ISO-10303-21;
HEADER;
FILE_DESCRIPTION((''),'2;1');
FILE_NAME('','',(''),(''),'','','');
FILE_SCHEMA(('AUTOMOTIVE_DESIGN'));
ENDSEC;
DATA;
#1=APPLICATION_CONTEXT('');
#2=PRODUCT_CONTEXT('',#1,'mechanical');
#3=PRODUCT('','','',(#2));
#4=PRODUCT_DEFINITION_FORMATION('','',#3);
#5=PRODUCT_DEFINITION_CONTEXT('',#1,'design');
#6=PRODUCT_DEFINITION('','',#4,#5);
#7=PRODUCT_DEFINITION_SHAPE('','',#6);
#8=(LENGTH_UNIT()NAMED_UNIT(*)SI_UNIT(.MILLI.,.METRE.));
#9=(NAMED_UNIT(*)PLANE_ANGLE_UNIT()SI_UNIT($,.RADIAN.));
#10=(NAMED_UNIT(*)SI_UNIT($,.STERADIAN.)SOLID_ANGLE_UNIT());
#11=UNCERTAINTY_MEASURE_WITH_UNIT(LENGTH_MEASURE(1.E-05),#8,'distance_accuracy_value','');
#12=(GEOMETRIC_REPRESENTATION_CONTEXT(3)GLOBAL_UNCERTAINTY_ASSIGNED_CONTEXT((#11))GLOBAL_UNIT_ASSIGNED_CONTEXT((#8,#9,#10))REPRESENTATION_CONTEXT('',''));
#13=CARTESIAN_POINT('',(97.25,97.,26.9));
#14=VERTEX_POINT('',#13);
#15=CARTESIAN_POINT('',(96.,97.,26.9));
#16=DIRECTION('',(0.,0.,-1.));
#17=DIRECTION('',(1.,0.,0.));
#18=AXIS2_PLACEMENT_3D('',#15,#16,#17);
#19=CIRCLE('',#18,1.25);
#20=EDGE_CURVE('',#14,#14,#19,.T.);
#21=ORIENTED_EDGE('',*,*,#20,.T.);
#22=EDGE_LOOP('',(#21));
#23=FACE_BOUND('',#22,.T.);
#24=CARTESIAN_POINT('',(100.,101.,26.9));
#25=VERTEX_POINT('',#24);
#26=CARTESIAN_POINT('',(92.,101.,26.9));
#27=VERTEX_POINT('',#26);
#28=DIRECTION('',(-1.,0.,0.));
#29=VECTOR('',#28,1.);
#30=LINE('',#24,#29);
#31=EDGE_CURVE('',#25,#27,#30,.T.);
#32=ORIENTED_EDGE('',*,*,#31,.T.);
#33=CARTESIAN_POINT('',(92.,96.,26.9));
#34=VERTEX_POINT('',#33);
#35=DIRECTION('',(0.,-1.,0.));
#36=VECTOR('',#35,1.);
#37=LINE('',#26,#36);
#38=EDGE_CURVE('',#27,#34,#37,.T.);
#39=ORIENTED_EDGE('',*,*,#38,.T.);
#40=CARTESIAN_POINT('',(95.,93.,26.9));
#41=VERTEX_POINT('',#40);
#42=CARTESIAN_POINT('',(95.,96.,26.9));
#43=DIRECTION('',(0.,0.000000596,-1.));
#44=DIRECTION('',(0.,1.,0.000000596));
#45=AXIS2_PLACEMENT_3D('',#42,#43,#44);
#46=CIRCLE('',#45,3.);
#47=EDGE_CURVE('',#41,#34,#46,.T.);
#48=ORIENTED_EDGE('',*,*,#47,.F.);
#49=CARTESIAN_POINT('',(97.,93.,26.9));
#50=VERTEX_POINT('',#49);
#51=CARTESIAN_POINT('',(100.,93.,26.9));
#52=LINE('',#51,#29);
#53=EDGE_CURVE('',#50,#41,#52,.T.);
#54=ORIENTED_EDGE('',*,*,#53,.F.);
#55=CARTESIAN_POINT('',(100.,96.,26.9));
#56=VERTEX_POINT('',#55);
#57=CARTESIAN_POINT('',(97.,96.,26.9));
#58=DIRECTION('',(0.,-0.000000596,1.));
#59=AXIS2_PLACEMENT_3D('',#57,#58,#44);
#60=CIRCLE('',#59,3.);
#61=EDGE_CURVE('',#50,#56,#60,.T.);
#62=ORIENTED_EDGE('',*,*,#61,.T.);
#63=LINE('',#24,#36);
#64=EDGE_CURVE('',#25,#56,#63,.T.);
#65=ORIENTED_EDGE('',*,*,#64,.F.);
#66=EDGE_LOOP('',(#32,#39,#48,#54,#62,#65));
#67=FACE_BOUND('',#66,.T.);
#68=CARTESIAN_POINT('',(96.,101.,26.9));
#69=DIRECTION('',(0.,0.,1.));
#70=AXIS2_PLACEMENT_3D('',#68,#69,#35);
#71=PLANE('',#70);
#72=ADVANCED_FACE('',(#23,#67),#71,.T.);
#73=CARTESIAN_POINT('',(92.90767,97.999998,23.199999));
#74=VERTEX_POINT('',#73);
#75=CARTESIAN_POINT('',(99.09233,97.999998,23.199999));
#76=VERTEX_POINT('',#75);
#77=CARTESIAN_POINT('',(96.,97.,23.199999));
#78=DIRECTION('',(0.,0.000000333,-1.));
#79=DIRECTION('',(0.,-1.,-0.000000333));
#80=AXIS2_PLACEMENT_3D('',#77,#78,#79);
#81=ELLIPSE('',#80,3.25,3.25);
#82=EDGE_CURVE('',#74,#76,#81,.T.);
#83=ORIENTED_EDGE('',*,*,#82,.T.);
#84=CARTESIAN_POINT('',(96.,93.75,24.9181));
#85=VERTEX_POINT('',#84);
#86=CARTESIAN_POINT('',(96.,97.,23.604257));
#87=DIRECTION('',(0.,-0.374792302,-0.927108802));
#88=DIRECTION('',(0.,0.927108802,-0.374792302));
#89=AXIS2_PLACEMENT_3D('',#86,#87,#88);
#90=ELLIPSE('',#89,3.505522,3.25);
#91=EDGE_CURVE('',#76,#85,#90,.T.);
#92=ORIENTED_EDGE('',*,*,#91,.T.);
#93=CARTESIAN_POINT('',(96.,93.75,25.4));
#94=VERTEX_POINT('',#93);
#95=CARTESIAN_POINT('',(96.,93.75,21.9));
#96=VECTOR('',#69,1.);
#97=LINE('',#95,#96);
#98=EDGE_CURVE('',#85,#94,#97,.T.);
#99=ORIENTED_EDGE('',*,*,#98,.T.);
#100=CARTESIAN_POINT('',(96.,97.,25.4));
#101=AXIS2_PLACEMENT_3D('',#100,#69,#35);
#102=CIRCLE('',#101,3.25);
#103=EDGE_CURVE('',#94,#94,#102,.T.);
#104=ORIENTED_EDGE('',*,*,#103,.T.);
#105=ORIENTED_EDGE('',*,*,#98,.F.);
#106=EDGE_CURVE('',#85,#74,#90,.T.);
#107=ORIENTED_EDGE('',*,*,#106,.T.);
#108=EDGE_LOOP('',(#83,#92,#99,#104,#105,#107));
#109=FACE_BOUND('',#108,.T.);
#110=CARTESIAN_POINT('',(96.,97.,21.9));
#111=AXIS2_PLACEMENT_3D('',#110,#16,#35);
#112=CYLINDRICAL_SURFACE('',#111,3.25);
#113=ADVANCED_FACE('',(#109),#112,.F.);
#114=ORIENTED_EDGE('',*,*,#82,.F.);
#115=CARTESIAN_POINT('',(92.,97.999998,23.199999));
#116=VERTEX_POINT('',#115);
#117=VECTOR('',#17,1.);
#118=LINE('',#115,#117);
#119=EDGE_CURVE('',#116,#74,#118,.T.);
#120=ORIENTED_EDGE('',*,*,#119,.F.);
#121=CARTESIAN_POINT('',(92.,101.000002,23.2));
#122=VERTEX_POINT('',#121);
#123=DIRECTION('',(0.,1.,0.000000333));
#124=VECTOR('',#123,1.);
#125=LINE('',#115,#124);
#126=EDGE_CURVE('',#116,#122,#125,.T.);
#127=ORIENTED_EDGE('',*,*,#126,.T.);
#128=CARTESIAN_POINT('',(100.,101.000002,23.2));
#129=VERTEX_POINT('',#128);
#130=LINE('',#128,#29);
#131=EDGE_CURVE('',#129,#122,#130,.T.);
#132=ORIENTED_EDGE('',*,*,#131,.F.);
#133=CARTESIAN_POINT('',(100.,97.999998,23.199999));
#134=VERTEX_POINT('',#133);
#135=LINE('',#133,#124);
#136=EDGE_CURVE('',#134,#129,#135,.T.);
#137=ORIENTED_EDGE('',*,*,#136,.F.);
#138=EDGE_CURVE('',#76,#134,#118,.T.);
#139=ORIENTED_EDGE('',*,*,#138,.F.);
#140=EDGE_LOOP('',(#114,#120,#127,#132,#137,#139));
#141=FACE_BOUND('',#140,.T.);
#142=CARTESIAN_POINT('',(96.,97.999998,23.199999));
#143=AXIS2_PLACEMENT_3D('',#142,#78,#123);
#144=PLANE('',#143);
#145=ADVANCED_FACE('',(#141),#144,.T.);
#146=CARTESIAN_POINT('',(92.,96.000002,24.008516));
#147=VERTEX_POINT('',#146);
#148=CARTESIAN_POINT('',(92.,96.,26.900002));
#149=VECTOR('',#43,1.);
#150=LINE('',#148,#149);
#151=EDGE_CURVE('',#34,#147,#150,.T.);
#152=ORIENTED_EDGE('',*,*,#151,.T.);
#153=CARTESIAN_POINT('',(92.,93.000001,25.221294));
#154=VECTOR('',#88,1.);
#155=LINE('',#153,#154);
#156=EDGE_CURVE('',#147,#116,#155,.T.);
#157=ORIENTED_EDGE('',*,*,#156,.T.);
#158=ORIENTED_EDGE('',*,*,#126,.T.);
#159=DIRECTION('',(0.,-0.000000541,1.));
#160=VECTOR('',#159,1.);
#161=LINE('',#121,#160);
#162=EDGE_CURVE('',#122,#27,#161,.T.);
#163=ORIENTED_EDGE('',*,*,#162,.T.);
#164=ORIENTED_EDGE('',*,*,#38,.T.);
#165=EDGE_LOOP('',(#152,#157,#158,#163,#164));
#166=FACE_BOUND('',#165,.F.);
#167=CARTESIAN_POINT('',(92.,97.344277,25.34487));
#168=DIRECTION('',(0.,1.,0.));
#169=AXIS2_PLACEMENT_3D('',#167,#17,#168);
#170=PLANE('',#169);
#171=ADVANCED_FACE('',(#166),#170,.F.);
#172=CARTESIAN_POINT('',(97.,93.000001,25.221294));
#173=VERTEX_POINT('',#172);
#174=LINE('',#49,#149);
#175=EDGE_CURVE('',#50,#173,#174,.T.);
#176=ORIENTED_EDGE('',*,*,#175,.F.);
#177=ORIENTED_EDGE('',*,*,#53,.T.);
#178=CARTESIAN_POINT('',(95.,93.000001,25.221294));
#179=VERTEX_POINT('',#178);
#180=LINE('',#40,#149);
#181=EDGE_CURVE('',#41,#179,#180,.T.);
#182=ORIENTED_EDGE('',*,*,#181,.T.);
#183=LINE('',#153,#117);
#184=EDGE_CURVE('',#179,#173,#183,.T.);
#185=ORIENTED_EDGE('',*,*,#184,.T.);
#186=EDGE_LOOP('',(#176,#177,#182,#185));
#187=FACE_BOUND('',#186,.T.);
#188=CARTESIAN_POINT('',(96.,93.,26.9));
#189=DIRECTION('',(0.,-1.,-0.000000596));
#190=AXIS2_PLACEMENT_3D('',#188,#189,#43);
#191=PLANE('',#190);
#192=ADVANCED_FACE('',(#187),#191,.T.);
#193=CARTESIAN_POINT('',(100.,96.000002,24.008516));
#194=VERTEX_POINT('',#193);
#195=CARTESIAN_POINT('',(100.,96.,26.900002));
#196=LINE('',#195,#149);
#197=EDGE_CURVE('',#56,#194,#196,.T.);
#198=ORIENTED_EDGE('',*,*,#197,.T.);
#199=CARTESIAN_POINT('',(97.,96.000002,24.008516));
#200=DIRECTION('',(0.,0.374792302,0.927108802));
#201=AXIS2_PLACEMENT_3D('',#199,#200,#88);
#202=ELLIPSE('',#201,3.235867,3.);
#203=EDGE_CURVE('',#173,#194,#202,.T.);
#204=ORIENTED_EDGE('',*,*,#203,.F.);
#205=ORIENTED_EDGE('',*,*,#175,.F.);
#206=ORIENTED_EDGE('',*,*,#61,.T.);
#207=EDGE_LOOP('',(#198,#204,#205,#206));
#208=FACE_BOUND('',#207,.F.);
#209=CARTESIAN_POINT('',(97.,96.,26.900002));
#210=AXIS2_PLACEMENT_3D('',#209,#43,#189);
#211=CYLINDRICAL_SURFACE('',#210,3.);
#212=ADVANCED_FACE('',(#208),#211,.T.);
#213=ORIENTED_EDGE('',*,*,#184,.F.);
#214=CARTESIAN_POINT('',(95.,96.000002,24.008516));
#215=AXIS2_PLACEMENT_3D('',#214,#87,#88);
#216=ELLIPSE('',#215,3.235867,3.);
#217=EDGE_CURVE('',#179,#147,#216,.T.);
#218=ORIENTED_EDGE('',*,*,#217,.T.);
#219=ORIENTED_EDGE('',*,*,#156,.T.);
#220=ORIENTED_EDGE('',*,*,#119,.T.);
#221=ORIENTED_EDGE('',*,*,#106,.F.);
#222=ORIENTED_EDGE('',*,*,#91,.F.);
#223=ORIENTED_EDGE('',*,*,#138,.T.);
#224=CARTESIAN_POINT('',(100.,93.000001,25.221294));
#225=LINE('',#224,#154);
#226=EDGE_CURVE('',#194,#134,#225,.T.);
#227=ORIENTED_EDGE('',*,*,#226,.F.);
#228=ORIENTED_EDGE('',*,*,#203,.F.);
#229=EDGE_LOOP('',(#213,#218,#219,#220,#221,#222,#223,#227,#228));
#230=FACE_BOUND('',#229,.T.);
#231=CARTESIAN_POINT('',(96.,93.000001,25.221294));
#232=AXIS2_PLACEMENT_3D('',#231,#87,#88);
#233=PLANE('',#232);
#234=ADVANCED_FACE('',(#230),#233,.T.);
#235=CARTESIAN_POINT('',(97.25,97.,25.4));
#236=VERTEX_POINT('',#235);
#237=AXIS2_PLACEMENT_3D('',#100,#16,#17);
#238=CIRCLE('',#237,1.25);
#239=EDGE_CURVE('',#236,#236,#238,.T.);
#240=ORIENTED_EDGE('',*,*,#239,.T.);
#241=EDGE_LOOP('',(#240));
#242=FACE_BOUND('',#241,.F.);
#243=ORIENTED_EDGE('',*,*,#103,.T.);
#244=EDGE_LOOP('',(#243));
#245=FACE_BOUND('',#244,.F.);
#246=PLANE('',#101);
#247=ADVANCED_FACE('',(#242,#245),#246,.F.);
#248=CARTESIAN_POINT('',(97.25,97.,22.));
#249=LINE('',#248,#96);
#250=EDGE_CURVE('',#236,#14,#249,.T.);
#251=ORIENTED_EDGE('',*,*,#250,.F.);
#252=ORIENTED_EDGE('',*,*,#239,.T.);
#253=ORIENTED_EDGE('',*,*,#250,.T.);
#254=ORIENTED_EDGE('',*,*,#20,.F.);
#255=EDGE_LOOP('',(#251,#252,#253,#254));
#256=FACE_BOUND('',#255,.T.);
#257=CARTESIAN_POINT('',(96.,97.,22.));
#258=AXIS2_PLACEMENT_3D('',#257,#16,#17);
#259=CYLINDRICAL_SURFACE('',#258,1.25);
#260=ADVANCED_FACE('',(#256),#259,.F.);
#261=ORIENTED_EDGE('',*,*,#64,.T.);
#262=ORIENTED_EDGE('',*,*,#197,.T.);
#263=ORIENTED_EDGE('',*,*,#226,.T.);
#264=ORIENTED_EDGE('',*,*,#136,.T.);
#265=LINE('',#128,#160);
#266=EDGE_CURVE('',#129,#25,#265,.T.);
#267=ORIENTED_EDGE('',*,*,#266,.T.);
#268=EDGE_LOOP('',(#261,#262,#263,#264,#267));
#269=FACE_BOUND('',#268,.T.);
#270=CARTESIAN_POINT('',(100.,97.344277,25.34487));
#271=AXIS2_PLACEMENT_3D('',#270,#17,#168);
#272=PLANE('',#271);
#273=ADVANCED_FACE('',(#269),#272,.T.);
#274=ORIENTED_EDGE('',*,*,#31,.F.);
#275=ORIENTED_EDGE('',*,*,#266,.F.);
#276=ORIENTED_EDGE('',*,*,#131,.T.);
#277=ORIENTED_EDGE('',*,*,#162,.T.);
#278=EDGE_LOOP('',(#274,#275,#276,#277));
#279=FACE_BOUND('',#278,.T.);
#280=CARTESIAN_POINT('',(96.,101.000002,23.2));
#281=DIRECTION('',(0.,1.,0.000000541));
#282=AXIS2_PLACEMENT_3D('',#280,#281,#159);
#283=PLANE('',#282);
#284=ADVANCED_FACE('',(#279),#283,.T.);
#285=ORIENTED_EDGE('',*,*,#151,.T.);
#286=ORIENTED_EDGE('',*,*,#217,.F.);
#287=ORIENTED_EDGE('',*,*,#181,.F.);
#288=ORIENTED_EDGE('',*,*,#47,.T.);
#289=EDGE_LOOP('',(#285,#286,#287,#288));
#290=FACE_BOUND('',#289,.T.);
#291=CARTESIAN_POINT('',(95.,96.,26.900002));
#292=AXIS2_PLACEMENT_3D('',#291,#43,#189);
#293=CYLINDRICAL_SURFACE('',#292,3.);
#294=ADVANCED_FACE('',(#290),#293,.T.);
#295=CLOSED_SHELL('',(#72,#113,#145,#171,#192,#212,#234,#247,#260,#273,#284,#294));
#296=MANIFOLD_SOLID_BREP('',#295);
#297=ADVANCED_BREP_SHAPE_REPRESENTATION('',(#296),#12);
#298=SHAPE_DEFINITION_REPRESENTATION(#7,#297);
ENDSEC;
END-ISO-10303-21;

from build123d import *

# Parameters (mm, degrees)
PAD026_DEPTH    = 4
SKETCH054_R     = 3.25
POCKET017_DEPTH = 3.5
SKETCH056_R     = 1.25
POCKET018_DEPTH = 5
FILLET001_R     = 3


with BuildPart() as part:
    # Sketch052 → Pad026 (new body, symmetric)
    with BuildSketch(Plane.YZ.offset(-96)):
        Polygon((93, 26.9), (93.000001, 25.221294), (97.999998, 23.199999), (101.000002, 23.2), (101, 26.9), align=None)
    extrude(amount=PAD026_DEPTH, both=True)

    # Sketch054 (on Face5 of Pad026) → Pocket017 (cut)
    with BuildSketch(Plane(origin=(0, 0, 21.9), x_dir=(0, -1, 0), z_dir=(0, 0, 1))):
        with Locations((-97, -96)):
            Circle(SKETCH054_R)
    extrude(amount=POCKET017_DEPTH, mode=Mode.SUBTRACT)

    # Sketch056 → Pocket018 (cut)
    with BuildSketch(Plane.XY.offset(22)):
        with Locations((-96, 97)):
            Circle(SKETCH056_R)
    extrude(amount=POCKET018_DEPTH, mode=Mode.SUBTRACT)

    # Fillet001
    fillet001_edges = [part.edges().sort_by_distance(p)[0] for p in [
        (-92, 93.000001, 26.060647),
        (-100, 93.000001, 26.060647),
    ]]
    fillet(fillet001_edges, radius=FILLET001_R)


with BuildPart() as part_1:
    # Body038 placement: moved
    add(part.part.moved(Location((192, 0, 0))))


solid = part_1.part
